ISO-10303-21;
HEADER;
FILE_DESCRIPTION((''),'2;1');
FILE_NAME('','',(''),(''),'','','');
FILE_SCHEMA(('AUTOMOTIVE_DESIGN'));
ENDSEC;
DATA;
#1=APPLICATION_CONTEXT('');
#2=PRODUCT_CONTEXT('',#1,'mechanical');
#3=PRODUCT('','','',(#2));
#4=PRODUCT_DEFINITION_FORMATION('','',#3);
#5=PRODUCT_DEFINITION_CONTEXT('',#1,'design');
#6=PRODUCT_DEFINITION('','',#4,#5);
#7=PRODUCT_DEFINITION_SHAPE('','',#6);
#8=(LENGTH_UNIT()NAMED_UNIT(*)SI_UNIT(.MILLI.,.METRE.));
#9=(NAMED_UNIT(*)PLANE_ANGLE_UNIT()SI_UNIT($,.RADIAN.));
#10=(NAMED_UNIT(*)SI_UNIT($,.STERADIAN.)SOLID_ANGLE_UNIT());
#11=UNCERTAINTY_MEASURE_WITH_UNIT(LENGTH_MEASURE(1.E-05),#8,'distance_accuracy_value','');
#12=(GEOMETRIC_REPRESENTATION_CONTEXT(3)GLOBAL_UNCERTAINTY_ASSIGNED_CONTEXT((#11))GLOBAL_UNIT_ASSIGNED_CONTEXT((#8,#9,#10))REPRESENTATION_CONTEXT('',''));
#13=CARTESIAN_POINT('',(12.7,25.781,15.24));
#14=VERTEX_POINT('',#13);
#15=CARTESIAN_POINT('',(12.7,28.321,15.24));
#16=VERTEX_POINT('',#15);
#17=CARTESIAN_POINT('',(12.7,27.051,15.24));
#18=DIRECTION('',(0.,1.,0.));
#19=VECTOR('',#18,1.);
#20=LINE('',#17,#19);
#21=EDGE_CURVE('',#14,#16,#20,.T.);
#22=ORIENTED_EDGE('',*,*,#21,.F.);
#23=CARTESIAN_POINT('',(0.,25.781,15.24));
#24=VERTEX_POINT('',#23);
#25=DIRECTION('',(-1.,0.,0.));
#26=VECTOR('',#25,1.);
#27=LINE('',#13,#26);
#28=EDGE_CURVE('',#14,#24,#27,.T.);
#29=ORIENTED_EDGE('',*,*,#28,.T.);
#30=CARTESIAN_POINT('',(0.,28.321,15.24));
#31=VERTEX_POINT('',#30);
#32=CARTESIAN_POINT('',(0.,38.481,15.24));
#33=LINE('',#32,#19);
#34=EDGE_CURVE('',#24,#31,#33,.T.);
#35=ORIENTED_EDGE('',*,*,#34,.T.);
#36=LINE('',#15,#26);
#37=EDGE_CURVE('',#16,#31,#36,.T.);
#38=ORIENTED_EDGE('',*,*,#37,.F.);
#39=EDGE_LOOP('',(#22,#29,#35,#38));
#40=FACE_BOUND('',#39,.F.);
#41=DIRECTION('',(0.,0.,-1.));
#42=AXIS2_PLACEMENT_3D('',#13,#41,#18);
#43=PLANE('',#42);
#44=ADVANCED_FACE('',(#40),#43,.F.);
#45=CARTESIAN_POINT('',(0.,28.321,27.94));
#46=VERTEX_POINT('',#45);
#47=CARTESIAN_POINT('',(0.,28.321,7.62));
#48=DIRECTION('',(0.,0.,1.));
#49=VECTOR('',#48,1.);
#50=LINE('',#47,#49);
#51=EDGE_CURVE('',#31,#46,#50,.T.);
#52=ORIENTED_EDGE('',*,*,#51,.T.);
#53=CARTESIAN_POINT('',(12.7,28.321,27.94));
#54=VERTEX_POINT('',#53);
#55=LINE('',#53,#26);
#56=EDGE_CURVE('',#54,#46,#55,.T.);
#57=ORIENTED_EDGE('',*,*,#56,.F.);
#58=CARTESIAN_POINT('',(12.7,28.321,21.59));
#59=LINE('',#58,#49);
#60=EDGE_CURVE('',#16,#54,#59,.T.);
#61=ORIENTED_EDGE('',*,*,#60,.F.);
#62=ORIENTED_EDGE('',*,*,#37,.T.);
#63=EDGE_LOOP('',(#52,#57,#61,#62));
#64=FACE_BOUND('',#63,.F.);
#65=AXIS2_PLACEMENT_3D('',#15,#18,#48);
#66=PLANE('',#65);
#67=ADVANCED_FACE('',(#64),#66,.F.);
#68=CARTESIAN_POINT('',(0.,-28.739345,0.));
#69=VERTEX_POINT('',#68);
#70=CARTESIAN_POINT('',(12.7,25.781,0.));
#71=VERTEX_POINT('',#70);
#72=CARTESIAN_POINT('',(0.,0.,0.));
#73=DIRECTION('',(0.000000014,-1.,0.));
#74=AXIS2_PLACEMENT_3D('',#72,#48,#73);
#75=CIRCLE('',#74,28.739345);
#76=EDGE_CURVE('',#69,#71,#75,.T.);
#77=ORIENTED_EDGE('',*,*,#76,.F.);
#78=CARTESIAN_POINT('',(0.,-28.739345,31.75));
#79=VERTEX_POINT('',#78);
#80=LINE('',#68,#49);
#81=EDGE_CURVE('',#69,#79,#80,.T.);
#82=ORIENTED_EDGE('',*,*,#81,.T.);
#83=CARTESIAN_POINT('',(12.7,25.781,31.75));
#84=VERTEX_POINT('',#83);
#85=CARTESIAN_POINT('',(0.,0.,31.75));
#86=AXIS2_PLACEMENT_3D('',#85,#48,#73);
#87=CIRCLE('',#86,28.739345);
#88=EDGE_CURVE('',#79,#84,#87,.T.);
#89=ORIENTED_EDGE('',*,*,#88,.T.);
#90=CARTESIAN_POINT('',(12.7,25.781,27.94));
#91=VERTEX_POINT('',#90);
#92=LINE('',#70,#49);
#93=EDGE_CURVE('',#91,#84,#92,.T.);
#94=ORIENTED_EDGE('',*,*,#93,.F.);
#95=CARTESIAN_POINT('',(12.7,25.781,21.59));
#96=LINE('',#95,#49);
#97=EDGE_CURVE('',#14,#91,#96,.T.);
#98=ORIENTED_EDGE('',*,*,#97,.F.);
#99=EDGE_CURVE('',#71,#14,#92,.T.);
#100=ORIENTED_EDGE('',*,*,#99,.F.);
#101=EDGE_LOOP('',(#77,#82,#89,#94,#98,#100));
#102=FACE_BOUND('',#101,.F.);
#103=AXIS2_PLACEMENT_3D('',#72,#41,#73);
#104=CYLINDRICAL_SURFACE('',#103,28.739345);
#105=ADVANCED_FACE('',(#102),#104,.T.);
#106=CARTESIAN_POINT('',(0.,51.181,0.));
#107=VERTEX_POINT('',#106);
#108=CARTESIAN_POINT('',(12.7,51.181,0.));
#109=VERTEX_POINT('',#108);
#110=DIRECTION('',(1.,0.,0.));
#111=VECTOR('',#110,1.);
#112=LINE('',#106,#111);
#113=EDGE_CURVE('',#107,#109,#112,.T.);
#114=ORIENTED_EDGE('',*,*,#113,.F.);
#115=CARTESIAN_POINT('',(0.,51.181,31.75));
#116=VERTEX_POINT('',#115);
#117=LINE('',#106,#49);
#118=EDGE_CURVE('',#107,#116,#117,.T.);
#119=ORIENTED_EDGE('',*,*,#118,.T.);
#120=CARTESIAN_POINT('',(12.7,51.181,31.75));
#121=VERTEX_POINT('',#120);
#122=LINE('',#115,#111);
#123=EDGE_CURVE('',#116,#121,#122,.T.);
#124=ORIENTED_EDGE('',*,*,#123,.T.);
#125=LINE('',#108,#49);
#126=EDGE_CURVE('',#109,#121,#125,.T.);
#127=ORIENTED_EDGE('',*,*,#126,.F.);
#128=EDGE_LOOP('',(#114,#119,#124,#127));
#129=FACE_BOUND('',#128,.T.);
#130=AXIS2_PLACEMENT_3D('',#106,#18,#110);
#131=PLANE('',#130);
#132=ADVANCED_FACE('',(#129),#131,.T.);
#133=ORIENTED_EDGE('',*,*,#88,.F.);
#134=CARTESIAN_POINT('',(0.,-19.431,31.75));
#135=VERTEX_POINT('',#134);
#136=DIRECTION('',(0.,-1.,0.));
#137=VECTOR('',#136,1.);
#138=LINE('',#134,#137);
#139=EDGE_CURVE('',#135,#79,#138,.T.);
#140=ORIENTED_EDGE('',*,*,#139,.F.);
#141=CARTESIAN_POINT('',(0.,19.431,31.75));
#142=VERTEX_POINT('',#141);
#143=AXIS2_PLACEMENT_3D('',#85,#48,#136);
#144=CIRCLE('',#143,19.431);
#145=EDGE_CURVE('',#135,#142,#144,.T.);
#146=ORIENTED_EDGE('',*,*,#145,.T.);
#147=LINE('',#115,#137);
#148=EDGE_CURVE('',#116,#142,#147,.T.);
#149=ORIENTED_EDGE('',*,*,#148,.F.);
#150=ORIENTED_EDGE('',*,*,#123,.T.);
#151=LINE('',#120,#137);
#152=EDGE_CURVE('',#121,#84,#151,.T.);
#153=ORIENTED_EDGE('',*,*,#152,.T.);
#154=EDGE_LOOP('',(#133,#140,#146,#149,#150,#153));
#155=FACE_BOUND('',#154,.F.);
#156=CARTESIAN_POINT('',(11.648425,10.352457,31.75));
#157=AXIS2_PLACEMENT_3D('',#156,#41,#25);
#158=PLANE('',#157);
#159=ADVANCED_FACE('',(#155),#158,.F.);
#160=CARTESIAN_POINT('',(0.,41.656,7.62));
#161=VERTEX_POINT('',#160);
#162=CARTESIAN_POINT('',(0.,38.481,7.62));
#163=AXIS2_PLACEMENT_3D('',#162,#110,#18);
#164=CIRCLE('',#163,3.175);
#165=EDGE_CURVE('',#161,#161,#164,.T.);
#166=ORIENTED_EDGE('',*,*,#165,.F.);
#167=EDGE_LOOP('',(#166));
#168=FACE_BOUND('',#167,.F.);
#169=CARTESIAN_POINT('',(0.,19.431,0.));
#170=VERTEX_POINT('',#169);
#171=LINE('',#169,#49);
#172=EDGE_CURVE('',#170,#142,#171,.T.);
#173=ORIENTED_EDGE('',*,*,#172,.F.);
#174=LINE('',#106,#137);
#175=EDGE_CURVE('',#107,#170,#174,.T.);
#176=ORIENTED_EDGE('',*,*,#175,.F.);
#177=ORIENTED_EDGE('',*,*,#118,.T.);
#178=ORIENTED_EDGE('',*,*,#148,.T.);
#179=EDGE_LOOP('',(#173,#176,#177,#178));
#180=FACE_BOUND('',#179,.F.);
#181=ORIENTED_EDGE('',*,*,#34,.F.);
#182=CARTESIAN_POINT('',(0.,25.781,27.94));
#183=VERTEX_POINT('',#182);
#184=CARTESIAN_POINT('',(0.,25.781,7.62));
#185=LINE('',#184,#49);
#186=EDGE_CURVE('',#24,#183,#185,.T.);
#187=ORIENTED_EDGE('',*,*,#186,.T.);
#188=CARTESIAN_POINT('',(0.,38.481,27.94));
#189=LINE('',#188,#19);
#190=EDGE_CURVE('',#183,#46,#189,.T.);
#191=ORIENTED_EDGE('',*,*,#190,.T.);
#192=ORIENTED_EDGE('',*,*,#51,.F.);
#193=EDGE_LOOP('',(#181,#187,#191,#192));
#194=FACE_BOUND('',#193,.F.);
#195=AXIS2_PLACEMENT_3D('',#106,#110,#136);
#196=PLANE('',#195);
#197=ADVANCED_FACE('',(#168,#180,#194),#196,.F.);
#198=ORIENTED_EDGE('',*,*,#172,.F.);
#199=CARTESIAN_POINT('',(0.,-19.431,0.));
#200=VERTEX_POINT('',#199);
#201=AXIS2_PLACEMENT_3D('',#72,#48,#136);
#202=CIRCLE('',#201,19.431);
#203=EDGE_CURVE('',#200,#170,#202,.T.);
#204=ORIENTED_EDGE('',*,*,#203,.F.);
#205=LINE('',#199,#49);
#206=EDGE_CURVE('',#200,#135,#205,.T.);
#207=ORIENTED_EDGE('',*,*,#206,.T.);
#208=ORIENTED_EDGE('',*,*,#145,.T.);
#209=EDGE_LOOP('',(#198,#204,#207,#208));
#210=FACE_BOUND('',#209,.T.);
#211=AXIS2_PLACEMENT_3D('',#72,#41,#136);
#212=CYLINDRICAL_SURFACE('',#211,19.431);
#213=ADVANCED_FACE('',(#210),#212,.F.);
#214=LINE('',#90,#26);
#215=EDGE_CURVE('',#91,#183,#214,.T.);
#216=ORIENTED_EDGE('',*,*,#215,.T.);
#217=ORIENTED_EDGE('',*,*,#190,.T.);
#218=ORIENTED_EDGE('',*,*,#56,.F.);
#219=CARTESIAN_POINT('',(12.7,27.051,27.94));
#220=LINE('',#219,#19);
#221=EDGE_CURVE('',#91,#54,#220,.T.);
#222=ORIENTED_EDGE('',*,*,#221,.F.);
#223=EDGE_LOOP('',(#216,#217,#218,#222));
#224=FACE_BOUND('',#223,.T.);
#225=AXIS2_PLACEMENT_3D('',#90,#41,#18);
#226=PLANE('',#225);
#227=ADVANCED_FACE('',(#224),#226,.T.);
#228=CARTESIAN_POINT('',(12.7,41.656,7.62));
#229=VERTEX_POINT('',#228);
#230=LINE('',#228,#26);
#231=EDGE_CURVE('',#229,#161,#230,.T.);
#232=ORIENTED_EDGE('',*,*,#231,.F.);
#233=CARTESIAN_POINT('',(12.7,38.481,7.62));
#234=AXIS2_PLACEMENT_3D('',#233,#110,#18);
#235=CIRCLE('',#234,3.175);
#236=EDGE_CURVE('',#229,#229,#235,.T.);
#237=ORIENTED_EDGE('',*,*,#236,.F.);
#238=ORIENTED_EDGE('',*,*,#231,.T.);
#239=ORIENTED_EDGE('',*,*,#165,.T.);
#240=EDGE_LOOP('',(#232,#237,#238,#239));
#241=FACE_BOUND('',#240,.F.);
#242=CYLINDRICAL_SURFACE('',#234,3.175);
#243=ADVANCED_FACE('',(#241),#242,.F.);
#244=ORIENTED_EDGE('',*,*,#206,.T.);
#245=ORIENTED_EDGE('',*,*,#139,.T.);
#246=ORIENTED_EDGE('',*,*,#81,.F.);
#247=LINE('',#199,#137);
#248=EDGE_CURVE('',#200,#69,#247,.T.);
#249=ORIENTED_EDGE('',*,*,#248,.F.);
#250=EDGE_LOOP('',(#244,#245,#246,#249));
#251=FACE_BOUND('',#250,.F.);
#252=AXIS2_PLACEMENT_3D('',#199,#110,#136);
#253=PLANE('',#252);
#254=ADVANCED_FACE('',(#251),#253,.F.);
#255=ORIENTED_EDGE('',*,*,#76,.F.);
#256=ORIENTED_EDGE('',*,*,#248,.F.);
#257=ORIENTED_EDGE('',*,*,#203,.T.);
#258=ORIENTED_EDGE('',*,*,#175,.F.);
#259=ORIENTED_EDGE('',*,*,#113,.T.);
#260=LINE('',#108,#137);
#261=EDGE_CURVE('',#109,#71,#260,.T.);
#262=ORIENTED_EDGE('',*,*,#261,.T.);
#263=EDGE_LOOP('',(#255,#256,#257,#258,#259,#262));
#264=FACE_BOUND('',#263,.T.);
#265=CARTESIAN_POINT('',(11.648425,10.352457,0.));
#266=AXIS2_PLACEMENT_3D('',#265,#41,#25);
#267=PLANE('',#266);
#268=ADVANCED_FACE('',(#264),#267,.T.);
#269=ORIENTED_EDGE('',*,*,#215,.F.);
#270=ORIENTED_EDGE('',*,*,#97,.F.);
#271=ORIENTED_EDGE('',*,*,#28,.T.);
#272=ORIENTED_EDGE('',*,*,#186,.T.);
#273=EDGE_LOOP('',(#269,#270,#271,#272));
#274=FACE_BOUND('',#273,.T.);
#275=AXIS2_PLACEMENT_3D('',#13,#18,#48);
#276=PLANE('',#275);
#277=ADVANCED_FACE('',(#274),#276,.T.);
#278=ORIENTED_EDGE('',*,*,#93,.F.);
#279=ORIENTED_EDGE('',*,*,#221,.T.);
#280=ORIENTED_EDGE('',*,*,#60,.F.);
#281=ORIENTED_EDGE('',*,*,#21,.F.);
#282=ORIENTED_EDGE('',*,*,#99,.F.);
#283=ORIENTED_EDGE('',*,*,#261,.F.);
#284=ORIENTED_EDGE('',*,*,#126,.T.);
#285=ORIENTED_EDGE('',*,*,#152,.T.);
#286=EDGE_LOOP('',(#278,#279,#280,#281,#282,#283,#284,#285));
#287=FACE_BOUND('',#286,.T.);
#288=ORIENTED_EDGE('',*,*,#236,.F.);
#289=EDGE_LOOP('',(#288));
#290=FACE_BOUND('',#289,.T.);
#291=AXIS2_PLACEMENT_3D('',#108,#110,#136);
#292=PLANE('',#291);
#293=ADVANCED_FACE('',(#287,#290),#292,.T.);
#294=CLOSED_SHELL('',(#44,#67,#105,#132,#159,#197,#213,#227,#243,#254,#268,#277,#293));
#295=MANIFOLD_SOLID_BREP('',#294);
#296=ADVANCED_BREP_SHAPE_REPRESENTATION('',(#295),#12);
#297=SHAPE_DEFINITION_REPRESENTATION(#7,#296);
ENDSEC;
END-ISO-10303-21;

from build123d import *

# Parameters (mm, degrees)
PAD_DEPTH    = 31.75
SKETCH001_R  = 3.175
SKETCH001_W  = 2.54
SKETCH001_H  = 12.7
POCKET_DEPTH = 12.701


with BuildPart() as part:
    # Sketch → Pad (new body)
    with BuildSketch(Plane.XY):
        with BuildLine():
            Line((0, 51.181), (12.7, 51.181))
            Line((12.7, 51.181), (12.7, 25.781))
            ThreePointArc((0, -28.739345), (27.989989, -6.520004), (12.7, 25.781))
            Line((0, -19.431), (0, -28.739345))
            ThreePointArc((0, -19.431), (19.431, 0), (0, 19.431))
            Line((0, 51.181), (0, 19.431))
        make_face()
    extrude(amount=PAD_DEPTH)

    # Sketch001 (on Face2 of Pad) → Pocket (cut, through all)
    with BuildSketch(Plane.YZ.offset(12.7)):
        with Locations((38.481, 7.62)):
            Circle(SKETCH001_R)
        with Locations((27.051, 21.59)):
            Rectangle(SKETCH001_W, SKETCH001_H)
    extrude(amount=-POCKET_DEPTH, mode=Mode.SUBTRACT)


solid = part.part
